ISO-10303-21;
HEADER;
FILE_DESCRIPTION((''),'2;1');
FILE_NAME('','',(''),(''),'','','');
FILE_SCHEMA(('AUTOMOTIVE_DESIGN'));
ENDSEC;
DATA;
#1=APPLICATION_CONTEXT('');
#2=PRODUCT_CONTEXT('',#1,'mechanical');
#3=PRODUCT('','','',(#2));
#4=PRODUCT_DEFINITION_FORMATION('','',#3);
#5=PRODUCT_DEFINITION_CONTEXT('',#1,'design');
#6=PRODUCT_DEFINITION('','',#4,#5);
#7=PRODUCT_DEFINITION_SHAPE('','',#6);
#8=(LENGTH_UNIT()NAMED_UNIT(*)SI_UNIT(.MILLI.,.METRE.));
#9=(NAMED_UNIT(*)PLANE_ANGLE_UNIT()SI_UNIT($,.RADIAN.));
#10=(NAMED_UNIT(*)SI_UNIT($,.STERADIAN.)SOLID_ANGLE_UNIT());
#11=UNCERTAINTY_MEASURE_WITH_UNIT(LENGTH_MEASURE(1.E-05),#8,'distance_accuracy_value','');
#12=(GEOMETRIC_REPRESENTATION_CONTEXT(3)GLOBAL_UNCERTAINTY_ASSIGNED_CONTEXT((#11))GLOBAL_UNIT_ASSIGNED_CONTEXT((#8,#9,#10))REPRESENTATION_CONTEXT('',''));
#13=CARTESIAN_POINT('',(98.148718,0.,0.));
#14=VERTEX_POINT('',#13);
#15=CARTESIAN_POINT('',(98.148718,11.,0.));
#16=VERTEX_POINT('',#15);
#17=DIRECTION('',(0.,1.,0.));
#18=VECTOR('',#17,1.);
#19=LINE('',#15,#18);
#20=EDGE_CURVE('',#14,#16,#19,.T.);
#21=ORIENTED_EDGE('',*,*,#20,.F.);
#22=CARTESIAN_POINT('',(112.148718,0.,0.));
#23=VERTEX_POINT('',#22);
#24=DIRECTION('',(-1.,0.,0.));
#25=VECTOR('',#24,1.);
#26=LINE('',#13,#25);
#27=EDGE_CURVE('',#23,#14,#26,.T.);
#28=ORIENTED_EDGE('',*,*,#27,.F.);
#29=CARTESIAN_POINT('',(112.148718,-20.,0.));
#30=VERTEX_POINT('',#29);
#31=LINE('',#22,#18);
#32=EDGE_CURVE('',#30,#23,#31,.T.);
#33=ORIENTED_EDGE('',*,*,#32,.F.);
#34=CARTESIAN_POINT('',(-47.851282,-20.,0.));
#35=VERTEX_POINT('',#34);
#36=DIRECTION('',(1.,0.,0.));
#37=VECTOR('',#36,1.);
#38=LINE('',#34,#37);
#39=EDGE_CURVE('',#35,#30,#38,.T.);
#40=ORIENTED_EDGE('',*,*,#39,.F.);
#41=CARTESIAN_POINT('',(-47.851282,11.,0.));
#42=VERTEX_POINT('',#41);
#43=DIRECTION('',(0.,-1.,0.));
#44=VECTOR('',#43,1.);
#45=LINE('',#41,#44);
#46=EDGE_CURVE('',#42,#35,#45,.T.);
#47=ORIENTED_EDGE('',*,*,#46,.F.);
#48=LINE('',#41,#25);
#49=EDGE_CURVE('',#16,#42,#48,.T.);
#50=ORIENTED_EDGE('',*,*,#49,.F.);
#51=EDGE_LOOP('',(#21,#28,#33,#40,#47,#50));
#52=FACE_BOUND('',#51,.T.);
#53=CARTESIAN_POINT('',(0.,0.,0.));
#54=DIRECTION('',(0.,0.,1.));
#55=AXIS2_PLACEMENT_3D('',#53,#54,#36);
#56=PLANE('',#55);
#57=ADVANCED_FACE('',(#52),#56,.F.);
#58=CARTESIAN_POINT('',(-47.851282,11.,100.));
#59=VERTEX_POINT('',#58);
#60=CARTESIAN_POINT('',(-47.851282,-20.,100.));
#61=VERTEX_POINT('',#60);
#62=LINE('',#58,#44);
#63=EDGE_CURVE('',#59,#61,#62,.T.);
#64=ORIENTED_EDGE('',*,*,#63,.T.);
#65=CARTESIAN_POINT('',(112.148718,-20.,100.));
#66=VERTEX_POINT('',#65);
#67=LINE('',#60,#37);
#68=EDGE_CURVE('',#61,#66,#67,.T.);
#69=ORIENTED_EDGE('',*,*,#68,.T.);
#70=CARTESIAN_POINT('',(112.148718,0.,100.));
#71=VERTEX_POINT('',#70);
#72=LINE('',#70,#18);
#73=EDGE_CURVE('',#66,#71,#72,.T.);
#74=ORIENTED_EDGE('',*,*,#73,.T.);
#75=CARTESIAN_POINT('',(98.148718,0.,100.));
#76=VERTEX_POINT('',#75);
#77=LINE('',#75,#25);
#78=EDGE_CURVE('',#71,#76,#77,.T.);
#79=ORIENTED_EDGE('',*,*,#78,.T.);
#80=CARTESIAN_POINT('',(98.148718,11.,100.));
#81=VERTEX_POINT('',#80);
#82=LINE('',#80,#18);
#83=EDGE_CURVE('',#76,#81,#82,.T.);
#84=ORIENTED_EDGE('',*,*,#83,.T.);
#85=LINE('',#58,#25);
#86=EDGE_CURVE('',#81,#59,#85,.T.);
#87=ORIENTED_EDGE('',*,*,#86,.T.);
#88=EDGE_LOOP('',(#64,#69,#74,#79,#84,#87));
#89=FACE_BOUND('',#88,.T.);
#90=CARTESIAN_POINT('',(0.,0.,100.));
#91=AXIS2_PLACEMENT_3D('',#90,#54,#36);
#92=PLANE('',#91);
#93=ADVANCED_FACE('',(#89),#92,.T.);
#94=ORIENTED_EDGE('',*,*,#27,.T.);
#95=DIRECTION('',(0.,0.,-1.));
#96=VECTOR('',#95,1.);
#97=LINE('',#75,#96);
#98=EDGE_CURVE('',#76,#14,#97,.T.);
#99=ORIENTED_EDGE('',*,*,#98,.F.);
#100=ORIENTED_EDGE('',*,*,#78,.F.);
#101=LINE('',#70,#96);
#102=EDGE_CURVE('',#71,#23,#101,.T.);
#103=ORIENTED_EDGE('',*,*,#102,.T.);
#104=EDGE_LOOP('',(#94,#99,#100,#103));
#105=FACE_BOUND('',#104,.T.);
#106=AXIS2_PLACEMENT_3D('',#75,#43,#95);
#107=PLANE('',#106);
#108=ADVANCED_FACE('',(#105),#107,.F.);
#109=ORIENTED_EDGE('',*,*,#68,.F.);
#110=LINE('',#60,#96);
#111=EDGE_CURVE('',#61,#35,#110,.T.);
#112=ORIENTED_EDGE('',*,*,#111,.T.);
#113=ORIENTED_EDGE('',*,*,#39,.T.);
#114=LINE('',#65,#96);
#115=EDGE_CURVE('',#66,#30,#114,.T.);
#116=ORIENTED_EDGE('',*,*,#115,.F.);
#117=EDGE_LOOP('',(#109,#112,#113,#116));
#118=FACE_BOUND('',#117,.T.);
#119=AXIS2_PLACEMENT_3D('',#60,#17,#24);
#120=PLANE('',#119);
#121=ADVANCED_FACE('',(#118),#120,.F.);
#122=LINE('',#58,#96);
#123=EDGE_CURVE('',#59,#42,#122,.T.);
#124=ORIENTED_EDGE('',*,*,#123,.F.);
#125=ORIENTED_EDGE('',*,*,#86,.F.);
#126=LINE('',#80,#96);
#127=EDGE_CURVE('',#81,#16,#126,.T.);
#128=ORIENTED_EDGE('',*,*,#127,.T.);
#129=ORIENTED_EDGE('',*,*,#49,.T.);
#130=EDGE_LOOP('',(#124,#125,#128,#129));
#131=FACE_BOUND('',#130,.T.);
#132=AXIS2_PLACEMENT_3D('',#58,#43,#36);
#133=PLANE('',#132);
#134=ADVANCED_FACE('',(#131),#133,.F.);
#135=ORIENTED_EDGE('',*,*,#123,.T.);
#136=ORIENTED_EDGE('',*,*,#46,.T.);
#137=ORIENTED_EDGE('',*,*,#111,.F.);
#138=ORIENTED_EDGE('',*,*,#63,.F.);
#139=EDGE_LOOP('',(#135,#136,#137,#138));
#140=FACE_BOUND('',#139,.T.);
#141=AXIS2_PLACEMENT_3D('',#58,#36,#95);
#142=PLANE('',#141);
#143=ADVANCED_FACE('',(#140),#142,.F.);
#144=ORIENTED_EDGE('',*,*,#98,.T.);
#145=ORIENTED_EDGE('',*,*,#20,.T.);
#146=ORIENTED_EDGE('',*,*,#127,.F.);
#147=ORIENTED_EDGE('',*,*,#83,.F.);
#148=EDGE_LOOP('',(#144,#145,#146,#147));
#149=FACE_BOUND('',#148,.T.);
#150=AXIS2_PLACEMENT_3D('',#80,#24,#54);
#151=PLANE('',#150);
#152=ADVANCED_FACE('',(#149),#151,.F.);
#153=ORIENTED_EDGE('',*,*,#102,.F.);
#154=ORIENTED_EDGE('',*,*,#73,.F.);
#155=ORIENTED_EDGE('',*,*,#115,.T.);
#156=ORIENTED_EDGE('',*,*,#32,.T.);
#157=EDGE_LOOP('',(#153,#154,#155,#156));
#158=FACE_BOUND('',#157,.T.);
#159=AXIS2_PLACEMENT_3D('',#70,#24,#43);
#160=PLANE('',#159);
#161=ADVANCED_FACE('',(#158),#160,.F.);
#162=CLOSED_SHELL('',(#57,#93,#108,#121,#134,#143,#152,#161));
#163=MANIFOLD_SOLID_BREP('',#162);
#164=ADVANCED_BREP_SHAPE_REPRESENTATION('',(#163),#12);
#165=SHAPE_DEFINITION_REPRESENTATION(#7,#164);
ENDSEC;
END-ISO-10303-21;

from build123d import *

# Parameters (mm, degrees)
BOSS_EXTRU_1_DEPTH = 100


with BuildPart() as part:
    # Esquisse1 → Boss.-Extru.1 (new body)
    with BuildSketch(Plane.XY):
        Polygon((98.148717949, 11), (98.148717949, 0), (112.148717949, 0), (112.148717949, -20), (-47.851282051, -20), (-47.851282051, 11), align=None)
    extrude(amount=BOSS_EXTRU_1_DEPTH)


solid = part.part
